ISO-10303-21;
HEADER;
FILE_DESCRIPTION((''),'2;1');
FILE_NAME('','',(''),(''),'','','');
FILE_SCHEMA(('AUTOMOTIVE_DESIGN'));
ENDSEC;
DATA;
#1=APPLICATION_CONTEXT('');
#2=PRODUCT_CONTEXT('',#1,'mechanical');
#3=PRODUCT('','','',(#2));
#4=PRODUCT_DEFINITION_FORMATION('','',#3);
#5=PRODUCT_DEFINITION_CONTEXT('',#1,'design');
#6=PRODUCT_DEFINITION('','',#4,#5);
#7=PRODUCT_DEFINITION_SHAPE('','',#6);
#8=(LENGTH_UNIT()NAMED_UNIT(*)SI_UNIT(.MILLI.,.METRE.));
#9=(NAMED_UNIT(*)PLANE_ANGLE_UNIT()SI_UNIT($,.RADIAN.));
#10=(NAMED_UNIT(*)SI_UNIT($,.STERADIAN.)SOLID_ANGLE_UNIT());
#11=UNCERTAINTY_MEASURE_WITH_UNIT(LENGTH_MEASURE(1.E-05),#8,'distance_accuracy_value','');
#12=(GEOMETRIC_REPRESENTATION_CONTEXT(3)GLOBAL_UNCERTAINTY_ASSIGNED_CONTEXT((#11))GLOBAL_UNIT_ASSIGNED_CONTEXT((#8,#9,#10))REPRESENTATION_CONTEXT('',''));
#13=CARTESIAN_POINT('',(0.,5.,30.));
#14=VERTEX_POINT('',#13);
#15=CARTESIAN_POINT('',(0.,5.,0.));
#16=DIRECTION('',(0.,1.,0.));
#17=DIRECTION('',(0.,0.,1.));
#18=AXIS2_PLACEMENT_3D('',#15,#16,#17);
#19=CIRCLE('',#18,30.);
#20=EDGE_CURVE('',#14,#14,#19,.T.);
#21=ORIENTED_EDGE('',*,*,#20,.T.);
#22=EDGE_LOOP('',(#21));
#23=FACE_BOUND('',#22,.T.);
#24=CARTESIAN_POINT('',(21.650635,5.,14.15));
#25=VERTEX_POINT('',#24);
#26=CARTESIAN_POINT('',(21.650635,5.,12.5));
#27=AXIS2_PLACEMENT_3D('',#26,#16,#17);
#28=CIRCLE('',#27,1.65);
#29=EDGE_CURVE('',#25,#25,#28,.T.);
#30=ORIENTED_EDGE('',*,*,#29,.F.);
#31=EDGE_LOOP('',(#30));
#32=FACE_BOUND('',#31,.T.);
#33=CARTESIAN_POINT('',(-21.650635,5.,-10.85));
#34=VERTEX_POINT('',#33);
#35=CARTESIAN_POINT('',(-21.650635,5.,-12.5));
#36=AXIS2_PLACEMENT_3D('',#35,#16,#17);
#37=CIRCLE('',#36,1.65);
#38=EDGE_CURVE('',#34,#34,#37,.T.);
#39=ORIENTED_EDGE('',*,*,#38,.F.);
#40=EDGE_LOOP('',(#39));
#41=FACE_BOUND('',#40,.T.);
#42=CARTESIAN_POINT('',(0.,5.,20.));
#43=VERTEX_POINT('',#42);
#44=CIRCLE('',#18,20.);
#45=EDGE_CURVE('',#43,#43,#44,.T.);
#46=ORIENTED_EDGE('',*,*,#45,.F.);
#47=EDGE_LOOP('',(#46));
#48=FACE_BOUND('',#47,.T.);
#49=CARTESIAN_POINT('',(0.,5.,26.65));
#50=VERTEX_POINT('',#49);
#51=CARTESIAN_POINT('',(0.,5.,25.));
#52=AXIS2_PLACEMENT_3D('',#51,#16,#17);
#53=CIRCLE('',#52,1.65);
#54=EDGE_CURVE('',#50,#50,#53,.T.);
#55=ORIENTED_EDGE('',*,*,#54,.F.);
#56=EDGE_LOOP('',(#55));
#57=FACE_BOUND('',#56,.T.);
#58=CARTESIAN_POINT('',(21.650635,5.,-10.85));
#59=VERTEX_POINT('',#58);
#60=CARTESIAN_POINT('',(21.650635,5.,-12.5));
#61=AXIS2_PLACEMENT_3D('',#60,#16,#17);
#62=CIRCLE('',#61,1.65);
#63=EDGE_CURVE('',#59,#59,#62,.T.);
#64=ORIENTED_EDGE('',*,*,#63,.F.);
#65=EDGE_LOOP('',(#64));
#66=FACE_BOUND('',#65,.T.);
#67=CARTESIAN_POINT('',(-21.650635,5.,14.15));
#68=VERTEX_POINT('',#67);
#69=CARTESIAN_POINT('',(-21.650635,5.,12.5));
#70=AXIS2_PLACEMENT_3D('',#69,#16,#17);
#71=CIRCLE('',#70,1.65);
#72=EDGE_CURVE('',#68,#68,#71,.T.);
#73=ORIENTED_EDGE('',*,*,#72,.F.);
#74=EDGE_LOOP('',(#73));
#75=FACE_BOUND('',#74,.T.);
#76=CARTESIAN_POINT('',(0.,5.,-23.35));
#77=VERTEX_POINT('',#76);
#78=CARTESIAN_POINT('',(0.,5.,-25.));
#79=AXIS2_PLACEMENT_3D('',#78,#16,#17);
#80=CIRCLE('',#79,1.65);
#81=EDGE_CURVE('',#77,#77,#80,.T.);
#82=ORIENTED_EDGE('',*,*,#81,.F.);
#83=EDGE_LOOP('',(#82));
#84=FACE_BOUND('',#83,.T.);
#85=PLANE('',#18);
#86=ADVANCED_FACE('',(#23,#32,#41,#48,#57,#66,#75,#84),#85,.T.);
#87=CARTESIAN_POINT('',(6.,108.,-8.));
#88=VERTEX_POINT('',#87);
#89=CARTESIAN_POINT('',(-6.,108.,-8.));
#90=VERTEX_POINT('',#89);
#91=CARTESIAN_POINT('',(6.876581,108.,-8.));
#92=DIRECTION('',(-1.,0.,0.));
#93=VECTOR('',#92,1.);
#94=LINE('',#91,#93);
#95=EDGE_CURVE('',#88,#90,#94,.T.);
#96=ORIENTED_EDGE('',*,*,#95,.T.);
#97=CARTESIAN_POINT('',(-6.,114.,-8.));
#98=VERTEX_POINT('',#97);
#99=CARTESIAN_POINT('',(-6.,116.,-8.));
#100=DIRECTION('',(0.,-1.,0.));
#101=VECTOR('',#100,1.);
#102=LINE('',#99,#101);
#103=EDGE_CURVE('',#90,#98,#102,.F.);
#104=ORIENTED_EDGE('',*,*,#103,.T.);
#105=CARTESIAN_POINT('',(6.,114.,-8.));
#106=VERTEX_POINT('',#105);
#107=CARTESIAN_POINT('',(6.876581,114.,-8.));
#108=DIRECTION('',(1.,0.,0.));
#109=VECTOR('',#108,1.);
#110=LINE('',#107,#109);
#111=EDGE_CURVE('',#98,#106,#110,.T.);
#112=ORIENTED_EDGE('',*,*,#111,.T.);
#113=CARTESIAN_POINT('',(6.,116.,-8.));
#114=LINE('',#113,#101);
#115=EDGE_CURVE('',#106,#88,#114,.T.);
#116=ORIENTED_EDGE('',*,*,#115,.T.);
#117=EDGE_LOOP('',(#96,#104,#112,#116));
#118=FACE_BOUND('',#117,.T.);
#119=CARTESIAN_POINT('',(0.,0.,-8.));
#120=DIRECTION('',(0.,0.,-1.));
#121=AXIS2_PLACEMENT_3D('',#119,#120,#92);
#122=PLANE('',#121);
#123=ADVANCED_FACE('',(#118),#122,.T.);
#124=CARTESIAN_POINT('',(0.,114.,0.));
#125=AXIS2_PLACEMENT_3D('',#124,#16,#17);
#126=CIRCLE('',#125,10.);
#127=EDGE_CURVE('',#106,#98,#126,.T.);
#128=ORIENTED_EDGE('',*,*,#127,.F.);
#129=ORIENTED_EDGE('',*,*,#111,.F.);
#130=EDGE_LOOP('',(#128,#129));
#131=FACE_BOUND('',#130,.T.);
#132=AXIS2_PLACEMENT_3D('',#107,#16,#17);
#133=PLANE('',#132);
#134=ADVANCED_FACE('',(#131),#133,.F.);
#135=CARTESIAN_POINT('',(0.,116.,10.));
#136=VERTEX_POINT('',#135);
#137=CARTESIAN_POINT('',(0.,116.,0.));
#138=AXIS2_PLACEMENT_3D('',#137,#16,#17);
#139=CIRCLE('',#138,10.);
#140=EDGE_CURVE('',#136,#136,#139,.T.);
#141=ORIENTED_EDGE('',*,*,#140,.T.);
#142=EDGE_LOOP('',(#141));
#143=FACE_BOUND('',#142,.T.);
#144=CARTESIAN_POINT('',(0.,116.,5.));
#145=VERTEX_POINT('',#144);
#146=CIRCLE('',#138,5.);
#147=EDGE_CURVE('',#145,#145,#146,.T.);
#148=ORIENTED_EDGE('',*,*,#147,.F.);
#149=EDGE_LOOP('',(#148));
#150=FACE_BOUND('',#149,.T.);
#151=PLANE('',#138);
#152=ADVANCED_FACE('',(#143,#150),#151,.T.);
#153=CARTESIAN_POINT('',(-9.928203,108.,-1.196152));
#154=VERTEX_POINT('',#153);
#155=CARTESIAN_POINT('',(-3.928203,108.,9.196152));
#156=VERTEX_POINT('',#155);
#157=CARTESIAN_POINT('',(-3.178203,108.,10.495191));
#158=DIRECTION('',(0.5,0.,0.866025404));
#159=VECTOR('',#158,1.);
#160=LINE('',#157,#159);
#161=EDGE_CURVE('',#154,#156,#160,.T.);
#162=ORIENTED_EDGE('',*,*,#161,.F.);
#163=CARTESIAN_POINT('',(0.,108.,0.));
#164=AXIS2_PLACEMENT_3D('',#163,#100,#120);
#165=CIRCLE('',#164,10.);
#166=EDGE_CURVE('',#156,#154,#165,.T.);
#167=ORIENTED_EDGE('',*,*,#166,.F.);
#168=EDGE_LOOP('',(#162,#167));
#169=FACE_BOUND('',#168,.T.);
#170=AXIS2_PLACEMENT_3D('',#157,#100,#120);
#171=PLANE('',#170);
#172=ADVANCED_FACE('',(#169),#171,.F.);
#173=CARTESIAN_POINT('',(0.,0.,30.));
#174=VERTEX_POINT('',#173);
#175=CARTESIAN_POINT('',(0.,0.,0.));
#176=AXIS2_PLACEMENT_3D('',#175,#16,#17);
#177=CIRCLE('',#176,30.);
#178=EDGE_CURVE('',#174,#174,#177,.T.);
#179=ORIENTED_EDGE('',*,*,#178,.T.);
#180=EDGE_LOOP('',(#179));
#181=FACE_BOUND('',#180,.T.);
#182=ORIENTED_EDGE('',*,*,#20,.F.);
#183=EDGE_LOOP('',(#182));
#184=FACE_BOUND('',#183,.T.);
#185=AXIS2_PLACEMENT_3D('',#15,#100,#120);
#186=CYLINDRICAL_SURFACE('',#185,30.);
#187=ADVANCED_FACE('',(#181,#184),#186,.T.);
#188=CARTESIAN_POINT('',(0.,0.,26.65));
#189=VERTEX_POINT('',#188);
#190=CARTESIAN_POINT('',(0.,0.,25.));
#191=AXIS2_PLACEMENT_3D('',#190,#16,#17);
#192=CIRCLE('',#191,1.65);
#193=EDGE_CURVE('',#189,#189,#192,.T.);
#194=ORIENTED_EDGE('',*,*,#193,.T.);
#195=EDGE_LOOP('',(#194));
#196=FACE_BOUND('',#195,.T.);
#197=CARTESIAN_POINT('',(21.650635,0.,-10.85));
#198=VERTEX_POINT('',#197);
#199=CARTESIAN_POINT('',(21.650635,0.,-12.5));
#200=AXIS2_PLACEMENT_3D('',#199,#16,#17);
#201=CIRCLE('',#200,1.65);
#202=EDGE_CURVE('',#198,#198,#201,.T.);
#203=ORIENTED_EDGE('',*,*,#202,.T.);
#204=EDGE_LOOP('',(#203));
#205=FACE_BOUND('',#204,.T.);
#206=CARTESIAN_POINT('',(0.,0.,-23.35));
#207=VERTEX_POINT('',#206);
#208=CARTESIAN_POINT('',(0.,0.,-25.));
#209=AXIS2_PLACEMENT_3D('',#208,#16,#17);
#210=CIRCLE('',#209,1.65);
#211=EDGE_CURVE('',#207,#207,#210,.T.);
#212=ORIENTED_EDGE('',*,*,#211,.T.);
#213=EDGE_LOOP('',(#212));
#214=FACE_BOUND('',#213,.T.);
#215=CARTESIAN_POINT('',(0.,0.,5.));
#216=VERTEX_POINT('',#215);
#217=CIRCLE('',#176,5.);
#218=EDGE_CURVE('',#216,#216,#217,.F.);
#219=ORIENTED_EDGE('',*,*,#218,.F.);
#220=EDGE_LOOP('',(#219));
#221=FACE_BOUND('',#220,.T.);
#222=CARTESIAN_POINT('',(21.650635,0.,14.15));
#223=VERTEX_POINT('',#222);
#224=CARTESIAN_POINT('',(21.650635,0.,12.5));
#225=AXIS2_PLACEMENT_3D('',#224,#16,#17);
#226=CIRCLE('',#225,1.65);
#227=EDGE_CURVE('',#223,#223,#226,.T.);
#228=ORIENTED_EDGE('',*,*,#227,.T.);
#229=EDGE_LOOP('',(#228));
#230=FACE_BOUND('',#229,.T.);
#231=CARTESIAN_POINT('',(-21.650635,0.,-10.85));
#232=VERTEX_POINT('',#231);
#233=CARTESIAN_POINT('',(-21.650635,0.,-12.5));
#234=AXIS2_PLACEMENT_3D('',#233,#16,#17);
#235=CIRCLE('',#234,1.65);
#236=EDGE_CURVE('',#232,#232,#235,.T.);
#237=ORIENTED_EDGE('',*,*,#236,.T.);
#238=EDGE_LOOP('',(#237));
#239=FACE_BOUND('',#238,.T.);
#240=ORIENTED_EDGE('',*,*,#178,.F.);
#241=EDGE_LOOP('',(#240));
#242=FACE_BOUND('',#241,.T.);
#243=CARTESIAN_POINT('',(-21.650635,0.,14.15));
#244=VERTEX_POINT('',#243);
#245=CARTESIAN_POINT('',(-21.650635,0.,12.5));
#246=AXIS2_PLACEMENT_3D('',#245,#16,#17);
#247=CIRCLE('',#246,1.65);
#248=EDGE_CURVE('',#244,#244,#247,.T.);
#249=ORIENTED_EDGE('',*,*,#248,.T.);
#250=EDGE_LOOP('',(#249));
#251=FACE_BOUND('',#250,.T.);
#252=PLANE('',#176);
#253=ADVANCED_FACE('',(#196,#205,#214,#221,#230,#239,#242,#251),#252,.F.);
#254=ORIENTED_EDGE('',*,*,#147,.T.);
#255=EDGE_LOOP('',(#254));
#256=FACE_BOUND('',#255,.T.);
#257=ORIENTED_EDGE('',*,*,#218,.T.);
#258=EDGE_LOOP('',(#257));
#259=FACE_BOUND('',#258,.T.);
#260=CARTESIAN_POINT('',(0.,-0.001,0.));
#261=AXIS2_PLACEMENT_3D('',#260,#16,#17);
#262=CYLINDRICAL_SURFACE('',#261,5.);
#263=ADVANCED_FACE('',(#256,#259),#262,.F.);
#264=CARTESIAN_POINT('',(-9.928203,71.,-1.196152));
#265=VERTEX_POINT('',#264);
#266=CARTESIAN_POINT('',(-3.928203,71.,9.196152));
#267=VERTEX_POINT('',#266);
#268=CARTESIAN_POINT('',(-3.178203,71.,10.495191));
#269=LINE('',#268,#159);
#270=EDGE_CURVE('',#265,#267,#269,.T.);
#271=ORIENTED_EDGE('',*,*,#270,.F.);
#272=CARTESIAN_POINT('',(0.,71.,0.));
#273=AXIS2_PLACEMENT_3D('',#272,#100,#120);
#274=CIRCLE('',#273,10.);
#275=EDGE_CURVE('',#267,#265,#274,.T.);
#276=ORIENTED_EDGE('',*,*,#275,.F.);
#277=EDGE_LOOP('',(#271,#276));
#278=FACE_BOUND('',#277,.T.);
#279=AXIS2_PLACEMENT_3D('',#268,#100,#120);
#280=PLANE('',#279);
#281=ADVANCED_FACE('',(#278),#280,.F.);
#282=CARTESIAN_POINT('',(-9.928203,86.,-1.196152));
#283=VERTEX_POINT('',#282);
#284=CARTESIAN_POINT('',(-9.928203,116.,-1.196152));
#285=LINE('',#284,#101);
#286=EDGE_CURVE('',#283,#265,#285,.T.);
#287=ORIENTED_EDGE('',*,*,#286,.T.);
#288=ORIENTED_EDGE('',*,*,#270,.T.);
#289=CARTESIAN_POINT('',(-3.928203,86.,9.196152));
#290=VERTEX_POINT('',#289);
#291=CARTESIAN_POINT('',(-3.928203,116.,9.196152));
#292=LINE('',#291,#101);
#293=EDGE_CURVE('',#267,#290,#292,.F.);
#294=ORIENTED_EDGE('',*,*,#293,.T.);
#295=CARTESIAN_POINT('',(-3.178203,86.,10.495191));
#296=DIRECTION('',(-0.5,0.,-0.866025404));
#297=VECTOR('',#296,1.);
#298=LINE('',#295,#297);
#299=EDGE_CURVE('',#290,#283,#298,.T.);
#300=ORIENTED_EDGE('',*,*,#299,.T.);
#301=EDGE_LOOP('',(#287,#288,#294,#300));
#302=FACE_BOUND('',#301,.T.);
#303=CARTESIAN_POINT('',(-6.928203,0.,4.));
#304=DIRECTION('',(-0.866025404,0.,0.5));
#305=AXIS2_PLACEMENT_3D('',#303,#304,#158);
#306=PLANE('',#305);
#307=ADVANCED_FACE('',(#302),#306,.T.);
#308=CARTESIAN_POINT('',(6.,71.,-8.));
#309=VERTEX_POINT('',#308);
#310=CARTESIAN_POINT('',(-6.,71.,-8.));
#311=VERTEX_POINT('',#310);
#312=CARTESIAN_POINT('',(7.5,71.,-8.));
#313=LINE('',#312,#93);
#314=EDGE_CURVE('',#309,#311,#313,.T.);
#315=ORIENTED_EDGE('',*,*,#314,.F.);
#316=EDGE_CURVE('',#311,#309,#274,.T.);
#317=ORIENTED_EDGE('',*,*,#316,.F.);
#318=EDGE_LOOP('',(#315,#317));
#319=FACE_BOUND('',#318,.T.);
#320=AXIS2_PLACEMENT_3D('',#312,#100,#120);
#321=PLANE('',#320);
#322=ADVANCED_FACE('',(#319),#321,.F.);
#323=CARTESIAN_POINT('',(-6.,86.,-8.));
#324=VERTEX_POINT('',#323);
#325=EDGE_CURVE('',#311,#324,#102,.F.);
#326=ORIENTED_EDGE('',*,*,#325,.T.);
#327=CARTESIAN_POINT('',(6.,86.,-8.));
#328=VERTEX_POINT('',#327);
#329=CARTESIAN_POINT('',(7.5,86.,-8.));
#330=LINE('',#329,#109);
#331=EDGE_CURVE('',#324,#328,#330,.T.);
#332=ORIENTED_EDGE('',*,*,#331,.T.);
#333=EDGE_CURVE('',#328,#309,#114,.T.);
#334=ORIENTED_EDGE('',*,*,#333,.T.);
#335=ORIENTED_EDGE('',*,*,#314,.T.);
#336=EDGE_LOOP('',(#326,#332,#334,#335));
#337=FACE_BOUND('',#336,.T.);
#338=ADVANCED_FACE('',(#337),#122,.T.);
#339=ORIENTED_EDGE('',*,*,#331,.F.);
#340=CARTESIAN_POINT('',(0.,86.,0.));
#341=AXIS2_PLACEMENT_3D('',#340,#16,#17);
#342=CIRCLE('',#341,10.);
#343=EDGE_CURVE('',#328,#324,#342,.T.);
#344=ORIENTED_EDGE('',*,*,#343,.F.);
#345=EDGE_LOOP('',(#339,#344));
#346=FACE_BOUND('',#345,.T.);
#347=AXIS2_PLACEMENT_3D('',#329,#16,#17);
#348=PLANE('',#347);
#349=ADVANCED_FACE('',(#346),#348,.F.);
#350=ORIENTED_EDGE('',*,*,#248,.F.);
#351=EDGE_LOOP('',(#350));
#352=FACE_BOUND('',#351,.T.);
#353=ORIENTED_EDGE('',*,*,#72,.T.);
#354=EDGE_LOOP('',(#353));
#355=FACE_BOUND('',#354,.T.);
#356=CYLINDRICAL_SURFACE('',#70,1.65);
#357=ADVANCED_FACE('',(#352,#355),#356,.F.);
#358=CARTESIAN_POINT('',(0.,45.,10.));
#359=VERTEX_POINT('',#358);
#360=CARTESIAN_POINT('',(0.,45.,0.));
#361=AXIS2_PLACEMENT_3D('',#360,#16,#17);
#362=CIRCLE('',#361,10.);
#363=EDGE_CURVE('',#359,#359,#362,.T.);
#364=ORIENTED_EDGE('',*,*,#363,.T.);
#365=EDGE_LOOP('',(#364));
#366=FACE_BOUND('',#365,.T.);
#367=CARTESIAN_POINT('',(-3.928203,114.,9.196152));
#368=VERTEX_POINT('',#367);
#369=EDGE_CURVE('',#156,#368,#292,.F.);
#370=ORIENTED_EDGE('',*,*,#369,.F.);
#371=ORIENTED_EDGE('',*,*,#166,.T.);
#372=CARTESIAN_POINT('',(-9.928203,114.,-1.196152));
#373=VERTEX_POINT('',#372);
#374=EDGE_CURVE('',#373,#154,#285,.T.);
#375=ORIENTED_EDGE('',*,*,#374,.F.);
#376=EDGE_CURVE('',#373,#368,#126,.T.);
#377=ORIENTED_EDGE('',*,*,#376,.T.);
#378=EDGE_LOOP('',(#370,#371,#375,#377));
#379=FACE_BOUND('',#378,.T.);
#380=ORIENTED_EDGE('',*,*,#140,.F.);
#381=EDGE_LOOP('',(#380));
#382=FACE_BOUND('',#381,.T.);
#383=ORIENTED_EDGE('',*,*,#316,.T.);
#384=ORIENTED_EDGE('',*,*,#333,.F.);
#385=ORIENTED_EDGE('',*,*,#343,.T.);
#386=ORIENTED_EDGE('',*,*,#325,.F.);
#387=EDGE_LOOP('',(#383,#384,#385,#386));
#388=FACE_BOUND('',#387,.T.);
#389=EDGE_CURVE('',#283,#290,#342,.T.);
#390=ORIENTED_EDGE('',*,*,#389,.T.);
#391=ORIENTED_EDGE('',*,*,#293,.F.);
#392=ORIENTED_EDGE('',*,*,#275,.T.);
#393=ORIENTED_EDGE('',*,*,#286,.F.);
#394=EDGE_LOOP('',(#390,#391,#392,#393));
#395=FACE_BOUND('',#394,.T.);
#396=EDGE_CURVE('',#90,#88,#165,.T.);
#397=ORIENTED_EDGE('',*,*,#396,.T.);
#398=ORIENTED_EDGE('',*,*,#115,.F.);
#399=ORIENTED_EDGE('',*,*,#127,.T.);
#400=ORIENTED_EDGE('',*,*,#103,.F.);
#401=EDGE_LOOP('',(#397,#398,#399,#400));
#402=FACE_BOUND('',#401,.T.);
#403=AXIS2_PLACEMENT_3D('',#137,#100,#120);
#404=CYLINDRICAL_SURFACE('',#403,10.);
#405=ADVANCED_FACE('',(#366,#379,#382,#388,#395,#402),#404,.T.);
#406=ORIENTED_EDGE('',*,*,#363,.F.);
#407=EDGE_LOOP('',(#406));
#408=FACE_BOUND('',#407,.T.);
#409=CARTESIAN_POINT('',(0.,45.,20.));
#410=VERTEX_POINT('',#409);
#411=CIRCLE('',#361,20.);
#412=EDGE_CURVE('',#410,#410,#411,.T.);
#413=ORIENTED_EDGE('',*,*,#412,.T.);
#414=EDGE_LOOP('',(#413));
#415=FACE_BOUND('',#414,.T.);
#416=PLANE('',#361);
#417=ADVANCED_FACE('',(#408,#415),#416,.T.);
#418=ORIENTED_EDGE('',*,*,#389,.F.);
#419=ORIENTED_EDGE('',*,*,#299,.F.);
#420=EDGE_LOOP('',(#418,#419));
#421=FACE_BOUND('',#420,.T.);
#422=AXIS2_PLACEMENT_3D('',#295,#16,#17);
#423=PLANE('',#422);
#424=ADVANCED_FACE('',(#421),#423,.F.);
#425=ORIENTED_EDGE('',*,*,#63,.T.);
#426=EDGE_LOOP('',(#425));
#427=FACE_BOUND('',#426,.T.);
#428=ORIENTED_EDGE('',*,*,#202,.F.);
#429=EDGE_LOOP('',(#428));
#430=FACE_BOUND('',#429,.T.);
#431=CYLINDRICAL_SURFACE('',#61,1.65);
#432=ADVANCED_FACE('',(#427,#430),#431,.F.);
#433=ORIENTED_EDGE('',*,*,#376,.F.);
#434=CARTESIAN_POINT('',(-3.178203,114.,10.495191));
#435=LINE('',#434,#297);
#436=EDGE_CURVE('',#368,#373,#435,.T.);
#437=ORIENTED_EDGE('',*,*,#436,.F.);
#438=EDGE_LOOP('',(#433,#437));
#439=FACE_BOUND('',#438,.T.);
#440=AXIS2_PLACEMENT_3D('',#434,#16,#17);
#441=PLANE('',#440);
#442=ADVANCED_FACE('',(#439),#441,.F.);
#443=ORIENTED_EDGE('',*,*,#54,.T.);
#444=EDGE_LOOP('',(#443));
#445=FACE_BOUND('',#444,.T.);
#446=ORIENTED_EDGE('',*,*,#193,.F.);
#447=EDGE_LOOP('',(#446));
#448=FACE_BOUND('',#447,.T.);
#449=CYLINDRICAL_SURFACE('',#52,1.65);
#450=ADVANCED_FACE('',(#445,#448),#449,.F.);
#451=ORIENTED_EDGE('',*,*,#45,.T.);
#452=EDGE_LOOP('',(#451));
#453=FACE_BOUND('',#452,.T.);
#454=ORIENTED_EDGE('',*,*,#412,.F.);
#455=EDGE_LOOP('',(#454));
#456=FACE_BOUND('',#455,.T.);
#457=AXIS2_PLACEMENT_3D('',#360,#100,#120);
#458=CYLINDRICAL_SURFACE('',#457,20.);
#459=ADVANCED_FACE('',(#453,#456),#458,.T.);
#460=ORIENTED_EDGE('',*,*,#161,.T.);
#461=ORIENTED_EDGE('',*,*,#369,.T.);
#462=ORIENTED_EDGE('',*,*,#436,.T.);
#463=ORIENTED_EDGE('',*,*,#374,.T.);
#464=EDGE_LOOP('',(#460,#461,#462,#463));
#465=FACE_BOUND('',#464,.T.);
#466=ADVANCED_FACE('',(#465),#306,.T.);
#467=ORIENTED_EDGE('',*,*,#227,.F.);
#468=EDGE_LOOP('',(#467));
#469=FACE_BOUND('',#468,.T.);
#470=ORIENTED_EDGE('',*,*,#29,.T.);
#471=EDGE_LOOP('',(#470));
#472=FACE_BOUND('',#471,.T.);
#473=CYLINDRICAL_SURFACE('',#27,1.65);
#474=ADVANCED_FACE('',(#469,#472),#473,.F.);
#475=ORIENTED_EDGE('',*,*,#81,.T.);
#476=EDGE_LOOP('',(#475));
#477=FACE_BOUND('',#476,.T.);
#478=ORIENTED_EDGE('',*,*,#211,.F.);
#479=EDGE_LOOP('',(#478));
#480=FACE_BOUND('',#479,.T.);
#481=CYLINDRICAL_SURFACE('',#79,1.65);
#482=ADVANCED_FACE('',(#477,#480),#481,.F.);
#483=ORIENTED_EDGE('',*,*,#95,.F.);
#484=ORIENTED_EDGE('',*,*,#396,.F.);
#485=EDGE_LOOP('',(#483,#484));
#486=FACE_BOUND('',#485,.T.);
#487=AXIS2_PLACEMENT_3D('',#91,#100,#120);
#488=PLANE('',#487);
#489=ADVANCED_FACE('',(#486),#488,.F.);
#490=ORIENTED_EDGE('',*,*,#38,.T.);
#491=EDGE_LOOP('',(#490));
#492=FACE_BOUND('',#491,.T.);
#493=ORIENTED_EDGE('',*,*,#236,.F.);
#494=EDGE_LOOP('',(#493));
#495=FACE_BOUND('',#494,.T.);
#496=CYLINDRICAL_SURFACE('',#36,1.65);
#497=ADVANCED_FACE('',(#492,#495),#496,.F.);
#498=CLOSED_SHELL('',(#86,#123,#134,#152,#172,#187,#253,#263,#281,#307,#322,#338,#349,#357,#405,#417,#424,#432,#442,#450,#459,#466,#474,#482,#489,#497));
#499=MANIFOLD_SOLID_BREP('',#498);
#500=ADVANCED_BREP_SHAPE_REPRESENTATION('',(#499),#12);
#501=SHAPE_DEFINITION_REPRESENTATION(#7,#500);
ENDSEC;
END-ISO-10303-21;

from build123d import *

# Parameters (mm, degrees)
SKETCH_1_R             = 30
EXTRUDE_1_DEPTH        = 5
SKETCH_2_R             = 20
EXTRUDE_2_DEPTH        = 40
SKETCH_5_R             = 10
EXTRUDE_3_DEPTH        = 71
CUT_EXTRUDE_2_REACH    = 118
SKETCH_6_R             = 5
SKETCH_7_W             = 15
SKETCH_7_H             = 15
CUT_EXTRUDE_3_DEPTH    = 2
SKETCH_8_W             = 15
SKETCH_8_H             = 15
CUT_EXTRUDE_4_DEPTH    = 2
HOLE_WIZARD_M4_2_D     = 3.3
HOLE_WIZARD_M4_2_DEPTH = 5
SKETCH_21_W            = 6
SKETCH_21_H            = 15
CUT_EXTRUDE_5_DEPTH    = 2
SKETCH_22_W            = 15
SKETCH_22_H            = 6
CUT_EXTRUDE_6_DEPTH    = 2


with BuildPart() as part:
    # 스케치1 → 보스-돌출1 (new body)
    with BuildSketch(Plane(origin=(0, 0, 0), x_dir=(1, 0, 0), z_dir=(0, 1, 0))):
        Circle(SKETCH_1_R)
    extrude(amount=EXTRUDE_1_DEPTH)

    # 스케치2 → 보스-돌출2 (add)
    with BuildSketch(Plane(origin=(0, 5, 0), x_dir=(1, 0, 0), z_dir=(0, 1, 0))):
        Circle(SKETCH_2_R)
    extrude(amount=EXTRUDE_2_DEPTH)

    # 스케치5 → 보스-돌출3 (add)
    with BuildSketch(Plane(origin=(0, 45, 0), x_dir=(1, 0, 0), z_dir=(0, 1, 0))):
        Circle(SKETCH_5_R)
    extrude(amount=EXTRUDE_3_DEPTH)

    # 스케치6 → 컷-돌출2 (cut, up to next)
    with BuildSketch(Plane(origin=(0, 116, 0), x_dir=(1, 0, 0), z_dir=(0, 1, 0)), mode=Mode.PRIVATE) as cut_extrude_2_sk1:
        Circle(SKETCH_6_R)
    cut_extrude_2_tool1 = extrude(cut_extrude_2_sk1.sketch, amount=-CUT_EXTRUDE_2_REACH, mode=Mode.PRIVATE) & part.part
    add(cut_extrude_2_tool1.solids().sort_by_distance((0, 116, 0))[0], mode=Mode.SUBTRACT)

    # 스케치7 → 컷-돌출3 (cut)
    with BuildSketch(Plane(origin=(0, 0, -10), x_dir=(-1, 0, 0), z_dir=(0, 0, -1))):
        with Locations((0, 78.5)):
            Rectangle(SKETCH_7_W, SKETCH_7_H)
    extrude(amount=-CUT_EXTRUDE_3_DEPTH, mode=Mode.SUBTRACT)

    # 스케치8 → 컷-돌출4 (cut)
    with BuildSketch(Plane(origin=(-8.660254038, 0, 5), x_dir=(0, -1, 0), z_dir=(-0.866025404, 0, 0.5))):
        with Locations((-78.5, 0)):
            Rectangle(SKETCH_8_W, SKETCH_8_H)
    extrude(amount=-CUT_EXTRUDE_4_DEPTH, mode=Mode.SUBTRACT)

    # M4 나사 구멍2
    with Locations(Plane(origin=(0, 5, 0), x_dir=(1, 0, 0), z_dir=(0, 1, 0))):
        with Locations((0, 25), (21.650635095, 12.5), (21.650635095, -12.5), (-21.650635095, 12.5), (-21.650635095, -12.5), (0, -25)):
            Hole(HOLE_WIZARD_M4_2_D / 2, depth=HOLE_WIZARD_M4_2_DEPTH)

    # 스케치21 → 컷-돌출5 (cut)
    with BuildSketch(Plane(origin=(-8.660254038, 0, 5), x_dir=(0, -1, 0), z_dir=(-0.866025404, 0, 0.5))):
        with Locations((-111, 0)):
            Rectangle(SKETCH_21_W, SKETCH_21_H)
    extrude(amount=-CUT_EXTRUDE_5_DEPTH, mode=Mode.SUBTRACT)

    # 스케치22 → 컷-돌출6 (cut)
    with BuildSketch(Plane(origin=(0, 0, -10), x_dir=(-1, 0, 0), z_dir=(0, 0, -1))):
        with Locations((0.623419069, 111)):
            Rectangle(SKETCH_22_W, SKETCH_22_H)
    extrude(amount=-CUT_EXTRUDE_6_DEPTH, mode=Mode.SUBTRACT)


solid = part.part
